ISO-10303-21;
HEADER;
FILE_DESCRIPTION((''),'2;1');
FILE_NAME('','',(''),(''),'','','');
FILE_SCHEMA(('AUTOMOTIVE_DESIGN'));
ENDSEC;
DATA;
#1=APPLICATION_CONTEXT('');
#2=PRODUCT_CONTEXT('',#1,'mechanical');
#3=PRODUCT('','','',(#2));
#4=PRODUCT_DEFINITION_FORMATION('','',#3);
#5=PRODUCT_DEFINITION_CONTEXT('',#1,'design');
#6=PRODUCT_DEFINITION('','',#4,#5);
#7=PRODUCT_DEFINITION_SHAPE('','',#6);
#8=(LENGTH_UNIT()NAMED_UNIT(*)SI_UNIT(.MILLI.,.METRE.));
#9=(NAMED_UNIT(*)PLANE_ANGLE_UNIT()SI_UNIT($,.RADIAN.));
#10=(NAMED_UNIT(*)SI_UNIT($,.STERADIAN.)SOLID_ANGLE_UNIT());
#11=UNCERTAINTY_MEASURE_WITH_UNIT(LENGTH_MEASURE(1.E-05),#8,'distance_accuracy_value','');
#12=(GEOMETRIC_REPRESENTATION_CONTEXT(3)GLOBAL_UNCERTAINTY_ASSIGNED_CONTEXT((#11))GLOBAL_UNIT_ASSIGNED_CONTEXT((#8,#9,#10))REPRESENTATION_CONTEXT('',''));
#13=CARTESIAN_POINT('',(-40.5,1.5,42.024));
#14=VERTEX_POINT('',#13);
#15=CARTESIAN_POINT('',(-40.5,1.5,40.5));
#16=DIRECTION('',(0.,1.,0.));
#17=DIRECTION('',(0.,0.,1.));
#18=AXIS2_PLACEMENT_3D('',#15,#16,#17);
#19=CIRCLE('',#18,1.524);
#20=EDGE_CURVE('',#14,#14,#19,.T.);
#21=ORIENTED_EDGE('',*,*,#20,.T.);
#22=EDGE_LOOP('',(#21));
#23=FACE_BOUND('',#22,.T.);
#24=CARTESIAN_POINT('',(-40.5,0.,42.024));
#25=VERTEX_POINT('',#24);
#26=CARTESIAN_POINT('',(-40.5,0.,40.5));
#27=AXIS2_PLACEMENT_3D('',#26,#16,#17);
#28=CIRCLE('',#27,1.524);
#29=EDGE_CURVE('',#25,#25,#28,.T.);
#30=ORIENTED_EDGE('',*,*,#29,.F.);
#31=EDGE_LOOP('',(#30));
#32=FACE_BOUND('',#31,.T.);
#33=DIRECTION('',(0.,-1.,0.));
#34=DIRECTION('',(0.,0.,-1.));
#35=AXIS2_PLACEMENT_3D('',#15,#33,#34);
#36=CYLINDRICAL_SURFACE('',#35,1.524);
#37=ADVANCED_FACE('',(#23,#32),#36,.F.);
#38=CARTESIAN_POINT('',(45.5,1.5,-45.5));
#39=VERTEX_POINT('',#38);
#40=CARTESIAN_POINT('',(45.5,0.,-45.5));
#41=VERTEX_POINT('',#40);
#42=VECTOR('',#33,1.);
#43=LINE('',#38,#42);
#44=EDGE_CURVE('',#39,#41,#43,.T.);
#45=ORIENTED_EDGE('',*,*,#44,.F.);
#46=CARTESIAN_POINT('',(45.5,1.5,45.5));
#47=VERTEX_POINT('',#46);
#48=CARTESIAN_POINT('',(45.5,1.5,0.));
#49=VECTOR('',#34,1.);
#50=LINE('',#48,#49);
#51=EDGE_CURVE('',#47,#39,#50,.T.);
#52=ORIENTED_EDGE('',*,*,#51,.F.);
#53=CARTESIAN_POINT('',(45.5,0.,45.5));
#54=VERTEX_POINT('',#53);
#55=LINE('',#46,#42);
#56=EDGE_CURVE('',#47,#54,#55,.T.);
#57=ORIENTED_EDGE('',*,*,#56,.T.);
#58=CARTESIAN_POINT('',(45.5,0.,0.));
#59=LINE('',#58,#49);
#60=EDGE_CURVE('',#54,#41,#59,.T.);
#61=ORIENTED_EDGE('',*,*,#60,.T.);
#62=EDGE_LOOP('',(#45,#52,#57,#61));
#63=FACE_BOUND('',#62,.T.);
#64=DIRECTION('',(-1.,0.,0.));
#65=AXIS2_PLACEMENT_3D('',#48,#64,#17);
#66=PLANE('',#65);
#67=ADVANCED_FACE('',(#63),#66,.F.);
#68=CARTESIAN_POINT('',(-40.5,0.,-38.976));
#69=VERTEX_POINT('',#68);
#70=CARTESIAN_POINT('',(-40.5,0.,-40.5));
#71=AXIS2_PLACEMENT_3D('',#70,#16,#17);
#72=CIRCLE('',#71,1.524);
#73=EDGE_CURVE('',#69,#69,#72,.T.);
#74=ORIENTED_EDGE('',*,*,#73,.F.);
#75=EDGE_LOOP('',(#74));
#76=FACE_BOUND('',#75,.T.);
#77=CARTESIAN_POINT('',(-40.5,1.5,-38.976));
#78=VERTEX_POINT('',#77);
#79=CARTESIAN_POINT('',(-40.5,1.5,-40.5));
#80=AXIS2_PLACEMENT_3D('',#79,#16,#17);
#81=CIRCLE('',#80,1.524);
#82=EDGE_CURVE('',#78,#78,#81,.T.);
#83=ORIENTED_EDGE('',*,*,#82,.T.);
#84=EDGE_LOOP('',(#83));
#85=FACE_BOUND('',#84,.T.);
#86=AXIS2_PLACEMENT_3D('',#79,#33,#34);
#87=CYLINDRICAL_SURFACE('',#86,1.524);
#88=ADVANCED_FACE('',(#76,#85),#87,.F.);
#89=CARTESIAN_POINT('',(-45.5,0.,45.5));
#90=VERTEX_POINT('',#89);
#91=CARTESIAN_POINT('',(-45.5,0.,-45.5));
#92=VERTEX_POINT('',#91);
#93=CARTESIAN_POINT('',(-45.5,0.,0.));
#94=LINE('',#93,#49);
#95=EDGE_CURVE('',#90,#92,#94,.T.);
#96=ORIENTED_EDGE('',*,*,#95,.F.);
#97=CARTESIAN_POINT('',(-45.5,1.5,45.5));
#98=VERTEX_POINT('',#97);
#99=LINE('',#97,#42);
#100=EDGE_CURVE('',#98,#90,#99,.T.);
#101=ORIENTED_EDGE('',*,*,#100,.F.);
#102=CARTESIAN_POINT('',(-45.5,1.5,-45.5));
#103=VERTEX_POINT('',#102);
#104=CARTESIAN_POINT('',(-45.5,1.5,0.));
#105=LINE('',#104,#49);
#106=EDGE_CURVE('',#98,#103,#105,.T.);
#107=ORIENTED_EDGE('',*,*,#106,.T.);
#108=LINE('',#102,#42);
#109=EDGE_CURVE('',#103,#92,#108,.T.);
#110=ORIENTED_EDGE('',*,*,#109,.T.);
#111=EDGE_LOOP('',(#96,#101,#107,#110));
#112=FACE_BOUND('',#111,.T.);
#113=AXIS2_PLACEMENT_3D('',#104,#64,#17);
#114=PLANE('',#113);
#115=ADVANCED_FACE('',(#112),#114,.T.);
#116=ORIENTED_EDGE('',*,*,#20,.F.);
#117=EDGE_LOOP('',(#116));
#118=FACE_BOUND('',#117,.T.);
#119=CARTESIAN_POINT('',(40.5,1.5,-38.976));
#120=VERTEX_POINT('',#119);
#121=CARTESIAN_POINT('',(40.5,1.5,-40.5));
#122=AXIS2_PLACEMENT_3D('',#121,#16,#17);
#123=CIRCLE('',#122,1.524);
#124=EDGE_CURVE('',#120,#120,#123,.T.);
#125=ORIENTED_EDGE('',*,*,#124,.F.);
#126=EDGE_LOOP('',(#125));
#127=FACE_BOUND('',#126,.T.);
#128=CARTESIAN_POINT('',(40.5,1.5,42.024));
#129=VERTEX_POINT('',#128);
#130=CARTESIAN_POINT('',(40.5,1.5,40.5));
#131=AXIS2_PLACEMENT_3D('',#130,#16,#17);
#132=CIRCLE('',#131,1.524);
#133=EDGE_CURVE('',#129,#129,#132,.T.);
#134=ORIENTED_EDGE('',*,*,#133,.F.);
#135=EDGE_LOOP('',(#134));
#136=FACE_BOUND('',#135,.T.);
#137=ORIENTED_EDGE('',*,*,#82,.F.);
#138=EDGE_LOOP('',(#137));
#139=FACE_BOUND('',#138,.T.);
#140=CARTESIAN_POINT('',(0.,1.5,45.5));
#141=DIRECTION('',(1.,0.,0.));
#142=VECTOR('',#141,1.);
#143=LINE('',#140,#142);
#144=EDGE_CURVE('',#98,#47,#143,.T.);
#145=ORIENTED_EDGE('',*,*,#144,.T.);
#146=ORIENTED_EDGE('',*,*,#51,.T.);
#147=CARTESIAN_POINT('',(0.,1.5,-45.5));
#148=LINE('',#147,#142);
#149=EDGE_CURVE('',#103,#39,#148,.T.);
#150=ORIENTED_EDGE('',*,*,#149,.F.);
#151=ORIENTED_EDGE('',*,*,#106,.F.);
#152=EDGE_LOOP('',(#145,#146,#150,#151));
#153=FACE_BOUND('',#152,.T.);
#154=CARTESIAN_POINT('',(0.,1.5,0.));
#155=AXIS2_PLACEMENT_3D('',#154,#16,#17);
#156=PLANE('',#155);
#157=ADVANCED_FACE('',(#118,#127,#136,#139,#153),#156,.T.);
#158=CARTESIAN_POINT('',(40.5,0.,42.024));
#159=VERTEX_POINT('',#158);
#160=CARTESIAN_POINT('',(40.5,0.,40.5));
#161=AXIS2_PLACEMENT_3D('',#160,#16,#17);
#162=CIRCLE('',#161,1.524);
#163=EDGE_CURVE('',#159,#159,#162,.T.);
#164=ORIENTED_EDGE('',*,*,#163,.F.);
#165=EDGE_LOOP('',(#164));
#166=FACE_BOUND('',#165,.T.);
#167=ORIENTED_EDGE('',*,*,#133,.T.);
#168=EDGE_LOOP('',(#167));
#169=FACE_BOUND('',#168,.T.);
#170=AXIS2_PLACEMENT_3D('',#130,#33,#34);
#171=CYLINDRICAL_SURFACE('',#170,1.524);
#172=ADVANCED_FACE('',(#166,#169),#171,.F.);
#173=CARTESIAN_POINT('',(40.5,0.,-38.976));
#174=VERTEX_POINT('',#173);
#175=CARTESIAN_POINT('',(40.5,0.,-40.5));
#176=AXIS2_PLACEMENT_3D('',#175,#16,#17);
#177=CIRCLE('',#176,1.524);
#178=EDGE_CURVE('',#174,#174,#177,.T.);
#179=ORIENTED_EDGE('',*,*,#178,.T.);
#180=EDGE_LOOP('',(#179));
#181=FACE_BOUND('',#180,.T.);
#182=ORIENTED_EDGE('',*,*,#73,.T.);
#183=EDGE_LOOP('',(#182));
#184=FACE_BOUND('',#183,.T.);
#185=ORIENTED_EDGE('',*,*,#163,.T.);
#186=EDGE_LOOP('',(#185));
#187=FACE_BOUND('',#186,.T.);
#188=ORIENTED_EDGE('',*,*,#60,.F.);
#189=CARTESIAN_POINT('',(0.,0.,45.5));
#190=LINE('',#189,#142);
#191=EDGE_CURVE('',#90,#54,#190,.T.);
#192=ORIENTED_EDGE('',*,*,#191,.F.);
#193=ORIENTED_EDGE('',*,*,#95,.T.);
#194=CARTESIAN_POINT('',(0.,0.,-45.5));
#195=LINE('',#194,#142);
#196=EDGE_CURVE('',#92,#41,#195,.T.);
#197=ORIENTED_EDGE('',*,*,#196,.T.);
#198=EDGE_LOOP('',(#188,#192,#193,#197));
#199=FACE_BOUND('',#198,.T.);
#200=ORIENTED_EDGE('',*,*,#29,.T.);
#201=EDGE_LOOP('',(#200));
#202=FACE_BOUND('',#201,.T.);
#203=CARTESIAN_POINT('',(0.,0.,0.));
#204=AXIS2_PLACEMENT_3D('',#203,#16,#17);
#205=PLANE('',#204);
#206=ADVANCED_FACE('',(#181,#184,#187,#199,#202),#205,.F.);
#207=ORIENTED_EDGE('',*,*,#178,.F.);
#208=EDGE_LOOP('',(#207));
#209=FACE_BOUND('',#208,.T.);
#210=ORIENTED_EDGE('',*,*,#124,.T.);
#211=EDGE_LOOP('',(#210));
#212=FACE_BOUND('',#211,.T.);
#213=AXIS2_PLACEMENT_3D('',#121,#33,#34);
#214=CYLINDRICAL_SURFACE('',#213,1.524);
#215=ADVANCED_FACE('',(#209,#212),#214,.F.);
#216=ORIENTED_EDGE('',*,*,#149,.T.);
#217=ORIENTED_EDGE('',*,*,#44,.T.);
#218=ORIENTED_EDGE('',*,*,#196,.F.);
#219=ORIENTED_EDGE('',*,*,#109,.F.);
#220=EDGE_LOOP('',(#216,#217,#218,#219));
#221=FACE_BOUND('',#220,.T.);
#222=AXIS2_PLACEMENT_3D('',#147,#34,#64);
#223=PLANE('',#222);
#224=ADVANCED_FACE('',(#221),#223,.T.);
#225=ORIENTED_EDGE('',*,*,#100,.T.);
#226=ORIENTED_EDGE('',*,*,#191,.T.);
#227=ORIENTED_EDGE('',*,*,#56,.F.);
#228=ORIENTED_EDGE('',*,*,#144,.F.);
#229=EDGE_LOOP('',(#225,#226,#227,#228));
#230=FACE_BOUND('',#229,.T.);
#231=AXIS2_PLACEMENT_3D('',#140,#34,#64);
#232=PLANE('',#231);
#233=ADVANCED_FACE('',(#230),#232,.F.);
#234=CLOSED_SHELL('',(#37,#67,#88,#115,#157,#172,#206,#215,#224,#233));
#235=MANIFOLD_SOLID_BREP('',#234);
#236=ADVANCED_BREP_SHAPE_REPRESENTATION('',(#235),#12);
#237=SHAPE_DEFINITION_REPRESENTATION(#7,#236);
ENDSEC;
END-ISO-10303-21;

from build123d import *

# Parameters (mm, degrees)
SKETCH1_W           = 91
SKETCH1_H           = 91
SKETCH1_R           = 3.175
SKETCH1_R_2         = 1.524
BOSS_EXTRUDE1_DEPTH = 1.5


with BuildPart() as part:
    # Sketch1 → Boss-Extrude1 (new body)
    with BuildSketch(Plane(origin=(0, 0, 0), x_dir=(1, 0, 0), z_dir=(0, 1, 0))):
        Rectangle(SKETCH1_W, SKETCH1_H)
        with Locations((-40.5, -40.5)):
            Circle(SKETCH1_R, mode=Mode.SUBTRACT)
        with Locations((40.5, -40.5)):
            Circle(SKETCH1_R, mode=Mode.SUBTRACT)
        with Locations((40.5, 40.5)):
            Circle(SKETCH1_R, mode=Mode.SUBTRACT)
        with Locations((-40.5, 40.5)):
            Circle(SKETCH1_R, mode=Mode.SUBTRACT)
        with Locations((-40.5, -40.5)):
            Circle(SKETCH1_R)
        with Locations((-40.5, -40.5)):
            Circle(SKETCH1_R_2, mode=Mode.SUBTRACT)
        with Locations((-40.5, 40.5)):
            Circle(SKETCH1_R)
        with Locations((-40.5, 40.5)):
            Circle(SKETCH1_R_2, mode=Mode.SUBTRACT)
        with Locations((40.5, 40.5)):
            Circle(SKETCH1_R)
        with Locations((40.5, 40.5)):
            Circle(SKETCH1_R_2, mode=Mode.SUBTRACT)
        with Locations((40.5, -40.5)):
            Circle(SKETCH1_R)
        with Locations((40.5, -40.5)):
            Circle(SKETCH1_R_2, mode=Mode.SUBTRACT)
    extrude(amount=BOSS_EXTRUDE1_DEPTH)


solid = part.part
